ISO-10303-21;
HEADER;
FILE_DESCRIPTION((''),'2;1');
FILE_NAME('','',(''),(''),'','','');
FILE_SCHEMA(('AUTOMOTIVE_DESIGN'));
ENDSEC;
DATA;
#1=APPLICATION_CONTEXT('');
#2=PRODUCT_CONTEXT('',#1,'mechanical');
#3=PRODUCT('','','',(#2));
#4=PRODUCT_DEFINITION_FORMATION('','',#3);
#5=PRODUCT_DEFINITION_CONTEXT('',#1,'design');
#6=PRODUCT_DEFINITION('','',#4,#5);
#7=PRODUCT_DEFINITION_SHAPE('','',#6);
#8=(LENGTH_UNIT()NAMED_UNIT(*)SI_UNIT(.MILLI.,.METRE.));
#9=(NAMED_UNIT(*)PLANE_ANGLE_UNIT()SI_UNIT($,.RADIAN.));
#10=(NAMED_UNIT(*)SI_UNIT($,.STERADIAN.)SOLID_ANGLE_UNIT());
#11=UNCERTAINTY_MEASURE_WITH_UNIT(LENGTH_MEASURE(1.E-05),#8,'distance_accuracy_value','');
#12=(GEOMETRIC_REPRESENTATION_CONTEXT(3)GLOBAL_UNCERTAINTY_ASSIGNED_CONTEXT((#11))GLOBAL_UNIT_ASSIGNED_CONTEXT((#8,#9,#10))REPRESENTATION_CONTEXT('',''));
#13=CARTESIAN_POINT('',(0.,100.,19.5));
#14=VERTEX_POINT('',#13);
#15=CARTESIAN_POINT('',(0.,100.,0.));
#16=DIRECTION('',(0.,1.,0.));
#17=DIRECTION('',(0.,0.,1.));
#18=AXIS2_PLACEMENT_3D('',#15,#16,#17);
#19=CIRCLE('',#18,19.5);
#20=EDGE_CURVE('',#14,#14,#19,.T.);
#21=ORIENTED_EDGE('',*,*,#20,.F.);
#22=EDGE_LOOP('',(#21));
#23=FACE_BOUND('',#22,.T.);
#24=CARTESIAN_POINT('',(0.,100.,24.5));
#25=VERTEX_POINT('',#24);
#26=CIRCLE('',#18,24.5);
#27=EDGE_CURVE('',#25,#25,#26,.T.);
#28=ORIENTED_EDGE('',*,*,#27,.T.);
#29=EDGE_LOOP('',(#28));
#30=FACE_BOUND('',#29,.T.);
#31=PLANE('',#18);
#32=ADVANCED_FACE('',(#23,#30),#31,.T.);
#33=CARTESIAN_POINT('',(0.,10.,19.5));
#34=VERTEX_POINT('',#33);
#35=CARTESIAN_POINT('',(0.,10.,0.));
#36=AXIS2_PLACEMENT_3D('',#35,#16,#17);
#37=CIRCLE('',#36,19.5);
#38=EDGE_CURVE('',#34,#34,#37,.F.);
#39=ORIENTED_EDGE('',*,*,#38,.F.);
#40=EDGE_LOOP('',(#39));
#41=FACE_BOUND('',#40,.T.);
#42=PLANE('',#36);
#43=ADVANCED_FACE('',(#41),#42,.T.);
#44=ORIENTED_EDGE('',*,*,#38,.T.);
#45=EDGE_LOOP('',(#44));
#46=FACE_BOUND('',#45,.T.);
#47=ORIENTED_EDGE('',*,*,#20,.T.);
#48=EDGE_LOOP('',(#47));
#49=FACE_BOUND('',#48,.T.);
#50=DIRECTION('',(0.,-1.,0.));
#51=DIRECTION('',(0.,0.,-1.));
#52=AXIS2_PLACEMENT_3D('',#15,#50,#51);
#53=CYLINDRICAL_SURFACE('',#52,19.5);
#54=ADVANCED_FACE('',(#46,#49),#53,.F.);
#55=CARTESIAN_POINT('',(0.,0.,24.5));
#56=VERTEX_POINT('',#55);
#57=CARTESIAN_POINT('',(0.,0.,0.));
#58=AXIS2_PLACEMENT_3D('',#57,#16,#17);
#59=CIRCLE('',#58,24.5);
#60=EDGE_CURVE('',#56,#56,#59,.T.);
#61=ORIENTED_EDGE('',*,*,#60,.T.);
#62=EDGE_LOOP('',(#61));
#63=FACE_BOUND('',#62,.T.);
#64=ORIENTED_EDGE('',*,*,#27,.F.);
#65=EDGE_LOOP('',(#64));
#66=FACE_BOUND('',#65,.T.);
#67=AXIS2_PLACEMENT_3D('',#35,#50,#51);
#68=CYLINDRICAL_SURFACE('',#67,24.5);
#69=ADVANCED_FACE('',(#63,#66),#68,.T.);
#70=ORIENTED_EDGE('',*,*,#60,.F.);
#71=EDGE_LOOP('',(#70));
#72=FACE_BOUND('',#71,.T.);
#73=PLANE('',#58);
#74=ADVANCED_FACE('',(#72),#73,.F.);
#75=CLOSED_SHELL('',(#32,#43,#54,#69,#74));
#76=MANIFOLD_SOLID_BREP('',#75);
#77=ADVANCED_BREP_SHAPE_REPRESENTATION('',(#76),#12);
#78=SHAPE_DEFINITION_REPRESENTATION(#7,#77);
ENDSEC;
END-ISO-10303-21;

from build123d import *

# Parameters (mm, degrees)
SKETCH1_R           = 24.5
BOSS_EXTRUDE1_DEPTH = 10
SKETCH2_R           = 24.5
SKETCH2_R_2         = 19.5
BOSS_EXTRUDE2_DEPTH = 90


with BuildPart() as part:
    # Sketch1 → Boss-Extrude1 (new body)
    with BuildSketch(Plane(origin=(0, 0, 0), x_dir=(1, 0, 0), z_dir=(0, 1, 0))):
        Circle(SKETCH1_R)
    extrude(amount=BOSS_EXTRUDE1_DEPTH)

    # Sketch2 → Boss-Extrude2 (add)
    with BuildSketch(Plane(origin=(0, 10, 0), x_dir=(1, 0, 0), z_dir=(0, 1, 0))):
        Circle(SKETCH2_R)
        Circle(SKETCH2_R_2, mode=Mode.SUBTRACT)
    extrude(amount=BOSS_EXTRUDE2_DEPTH)


solid = part.part
